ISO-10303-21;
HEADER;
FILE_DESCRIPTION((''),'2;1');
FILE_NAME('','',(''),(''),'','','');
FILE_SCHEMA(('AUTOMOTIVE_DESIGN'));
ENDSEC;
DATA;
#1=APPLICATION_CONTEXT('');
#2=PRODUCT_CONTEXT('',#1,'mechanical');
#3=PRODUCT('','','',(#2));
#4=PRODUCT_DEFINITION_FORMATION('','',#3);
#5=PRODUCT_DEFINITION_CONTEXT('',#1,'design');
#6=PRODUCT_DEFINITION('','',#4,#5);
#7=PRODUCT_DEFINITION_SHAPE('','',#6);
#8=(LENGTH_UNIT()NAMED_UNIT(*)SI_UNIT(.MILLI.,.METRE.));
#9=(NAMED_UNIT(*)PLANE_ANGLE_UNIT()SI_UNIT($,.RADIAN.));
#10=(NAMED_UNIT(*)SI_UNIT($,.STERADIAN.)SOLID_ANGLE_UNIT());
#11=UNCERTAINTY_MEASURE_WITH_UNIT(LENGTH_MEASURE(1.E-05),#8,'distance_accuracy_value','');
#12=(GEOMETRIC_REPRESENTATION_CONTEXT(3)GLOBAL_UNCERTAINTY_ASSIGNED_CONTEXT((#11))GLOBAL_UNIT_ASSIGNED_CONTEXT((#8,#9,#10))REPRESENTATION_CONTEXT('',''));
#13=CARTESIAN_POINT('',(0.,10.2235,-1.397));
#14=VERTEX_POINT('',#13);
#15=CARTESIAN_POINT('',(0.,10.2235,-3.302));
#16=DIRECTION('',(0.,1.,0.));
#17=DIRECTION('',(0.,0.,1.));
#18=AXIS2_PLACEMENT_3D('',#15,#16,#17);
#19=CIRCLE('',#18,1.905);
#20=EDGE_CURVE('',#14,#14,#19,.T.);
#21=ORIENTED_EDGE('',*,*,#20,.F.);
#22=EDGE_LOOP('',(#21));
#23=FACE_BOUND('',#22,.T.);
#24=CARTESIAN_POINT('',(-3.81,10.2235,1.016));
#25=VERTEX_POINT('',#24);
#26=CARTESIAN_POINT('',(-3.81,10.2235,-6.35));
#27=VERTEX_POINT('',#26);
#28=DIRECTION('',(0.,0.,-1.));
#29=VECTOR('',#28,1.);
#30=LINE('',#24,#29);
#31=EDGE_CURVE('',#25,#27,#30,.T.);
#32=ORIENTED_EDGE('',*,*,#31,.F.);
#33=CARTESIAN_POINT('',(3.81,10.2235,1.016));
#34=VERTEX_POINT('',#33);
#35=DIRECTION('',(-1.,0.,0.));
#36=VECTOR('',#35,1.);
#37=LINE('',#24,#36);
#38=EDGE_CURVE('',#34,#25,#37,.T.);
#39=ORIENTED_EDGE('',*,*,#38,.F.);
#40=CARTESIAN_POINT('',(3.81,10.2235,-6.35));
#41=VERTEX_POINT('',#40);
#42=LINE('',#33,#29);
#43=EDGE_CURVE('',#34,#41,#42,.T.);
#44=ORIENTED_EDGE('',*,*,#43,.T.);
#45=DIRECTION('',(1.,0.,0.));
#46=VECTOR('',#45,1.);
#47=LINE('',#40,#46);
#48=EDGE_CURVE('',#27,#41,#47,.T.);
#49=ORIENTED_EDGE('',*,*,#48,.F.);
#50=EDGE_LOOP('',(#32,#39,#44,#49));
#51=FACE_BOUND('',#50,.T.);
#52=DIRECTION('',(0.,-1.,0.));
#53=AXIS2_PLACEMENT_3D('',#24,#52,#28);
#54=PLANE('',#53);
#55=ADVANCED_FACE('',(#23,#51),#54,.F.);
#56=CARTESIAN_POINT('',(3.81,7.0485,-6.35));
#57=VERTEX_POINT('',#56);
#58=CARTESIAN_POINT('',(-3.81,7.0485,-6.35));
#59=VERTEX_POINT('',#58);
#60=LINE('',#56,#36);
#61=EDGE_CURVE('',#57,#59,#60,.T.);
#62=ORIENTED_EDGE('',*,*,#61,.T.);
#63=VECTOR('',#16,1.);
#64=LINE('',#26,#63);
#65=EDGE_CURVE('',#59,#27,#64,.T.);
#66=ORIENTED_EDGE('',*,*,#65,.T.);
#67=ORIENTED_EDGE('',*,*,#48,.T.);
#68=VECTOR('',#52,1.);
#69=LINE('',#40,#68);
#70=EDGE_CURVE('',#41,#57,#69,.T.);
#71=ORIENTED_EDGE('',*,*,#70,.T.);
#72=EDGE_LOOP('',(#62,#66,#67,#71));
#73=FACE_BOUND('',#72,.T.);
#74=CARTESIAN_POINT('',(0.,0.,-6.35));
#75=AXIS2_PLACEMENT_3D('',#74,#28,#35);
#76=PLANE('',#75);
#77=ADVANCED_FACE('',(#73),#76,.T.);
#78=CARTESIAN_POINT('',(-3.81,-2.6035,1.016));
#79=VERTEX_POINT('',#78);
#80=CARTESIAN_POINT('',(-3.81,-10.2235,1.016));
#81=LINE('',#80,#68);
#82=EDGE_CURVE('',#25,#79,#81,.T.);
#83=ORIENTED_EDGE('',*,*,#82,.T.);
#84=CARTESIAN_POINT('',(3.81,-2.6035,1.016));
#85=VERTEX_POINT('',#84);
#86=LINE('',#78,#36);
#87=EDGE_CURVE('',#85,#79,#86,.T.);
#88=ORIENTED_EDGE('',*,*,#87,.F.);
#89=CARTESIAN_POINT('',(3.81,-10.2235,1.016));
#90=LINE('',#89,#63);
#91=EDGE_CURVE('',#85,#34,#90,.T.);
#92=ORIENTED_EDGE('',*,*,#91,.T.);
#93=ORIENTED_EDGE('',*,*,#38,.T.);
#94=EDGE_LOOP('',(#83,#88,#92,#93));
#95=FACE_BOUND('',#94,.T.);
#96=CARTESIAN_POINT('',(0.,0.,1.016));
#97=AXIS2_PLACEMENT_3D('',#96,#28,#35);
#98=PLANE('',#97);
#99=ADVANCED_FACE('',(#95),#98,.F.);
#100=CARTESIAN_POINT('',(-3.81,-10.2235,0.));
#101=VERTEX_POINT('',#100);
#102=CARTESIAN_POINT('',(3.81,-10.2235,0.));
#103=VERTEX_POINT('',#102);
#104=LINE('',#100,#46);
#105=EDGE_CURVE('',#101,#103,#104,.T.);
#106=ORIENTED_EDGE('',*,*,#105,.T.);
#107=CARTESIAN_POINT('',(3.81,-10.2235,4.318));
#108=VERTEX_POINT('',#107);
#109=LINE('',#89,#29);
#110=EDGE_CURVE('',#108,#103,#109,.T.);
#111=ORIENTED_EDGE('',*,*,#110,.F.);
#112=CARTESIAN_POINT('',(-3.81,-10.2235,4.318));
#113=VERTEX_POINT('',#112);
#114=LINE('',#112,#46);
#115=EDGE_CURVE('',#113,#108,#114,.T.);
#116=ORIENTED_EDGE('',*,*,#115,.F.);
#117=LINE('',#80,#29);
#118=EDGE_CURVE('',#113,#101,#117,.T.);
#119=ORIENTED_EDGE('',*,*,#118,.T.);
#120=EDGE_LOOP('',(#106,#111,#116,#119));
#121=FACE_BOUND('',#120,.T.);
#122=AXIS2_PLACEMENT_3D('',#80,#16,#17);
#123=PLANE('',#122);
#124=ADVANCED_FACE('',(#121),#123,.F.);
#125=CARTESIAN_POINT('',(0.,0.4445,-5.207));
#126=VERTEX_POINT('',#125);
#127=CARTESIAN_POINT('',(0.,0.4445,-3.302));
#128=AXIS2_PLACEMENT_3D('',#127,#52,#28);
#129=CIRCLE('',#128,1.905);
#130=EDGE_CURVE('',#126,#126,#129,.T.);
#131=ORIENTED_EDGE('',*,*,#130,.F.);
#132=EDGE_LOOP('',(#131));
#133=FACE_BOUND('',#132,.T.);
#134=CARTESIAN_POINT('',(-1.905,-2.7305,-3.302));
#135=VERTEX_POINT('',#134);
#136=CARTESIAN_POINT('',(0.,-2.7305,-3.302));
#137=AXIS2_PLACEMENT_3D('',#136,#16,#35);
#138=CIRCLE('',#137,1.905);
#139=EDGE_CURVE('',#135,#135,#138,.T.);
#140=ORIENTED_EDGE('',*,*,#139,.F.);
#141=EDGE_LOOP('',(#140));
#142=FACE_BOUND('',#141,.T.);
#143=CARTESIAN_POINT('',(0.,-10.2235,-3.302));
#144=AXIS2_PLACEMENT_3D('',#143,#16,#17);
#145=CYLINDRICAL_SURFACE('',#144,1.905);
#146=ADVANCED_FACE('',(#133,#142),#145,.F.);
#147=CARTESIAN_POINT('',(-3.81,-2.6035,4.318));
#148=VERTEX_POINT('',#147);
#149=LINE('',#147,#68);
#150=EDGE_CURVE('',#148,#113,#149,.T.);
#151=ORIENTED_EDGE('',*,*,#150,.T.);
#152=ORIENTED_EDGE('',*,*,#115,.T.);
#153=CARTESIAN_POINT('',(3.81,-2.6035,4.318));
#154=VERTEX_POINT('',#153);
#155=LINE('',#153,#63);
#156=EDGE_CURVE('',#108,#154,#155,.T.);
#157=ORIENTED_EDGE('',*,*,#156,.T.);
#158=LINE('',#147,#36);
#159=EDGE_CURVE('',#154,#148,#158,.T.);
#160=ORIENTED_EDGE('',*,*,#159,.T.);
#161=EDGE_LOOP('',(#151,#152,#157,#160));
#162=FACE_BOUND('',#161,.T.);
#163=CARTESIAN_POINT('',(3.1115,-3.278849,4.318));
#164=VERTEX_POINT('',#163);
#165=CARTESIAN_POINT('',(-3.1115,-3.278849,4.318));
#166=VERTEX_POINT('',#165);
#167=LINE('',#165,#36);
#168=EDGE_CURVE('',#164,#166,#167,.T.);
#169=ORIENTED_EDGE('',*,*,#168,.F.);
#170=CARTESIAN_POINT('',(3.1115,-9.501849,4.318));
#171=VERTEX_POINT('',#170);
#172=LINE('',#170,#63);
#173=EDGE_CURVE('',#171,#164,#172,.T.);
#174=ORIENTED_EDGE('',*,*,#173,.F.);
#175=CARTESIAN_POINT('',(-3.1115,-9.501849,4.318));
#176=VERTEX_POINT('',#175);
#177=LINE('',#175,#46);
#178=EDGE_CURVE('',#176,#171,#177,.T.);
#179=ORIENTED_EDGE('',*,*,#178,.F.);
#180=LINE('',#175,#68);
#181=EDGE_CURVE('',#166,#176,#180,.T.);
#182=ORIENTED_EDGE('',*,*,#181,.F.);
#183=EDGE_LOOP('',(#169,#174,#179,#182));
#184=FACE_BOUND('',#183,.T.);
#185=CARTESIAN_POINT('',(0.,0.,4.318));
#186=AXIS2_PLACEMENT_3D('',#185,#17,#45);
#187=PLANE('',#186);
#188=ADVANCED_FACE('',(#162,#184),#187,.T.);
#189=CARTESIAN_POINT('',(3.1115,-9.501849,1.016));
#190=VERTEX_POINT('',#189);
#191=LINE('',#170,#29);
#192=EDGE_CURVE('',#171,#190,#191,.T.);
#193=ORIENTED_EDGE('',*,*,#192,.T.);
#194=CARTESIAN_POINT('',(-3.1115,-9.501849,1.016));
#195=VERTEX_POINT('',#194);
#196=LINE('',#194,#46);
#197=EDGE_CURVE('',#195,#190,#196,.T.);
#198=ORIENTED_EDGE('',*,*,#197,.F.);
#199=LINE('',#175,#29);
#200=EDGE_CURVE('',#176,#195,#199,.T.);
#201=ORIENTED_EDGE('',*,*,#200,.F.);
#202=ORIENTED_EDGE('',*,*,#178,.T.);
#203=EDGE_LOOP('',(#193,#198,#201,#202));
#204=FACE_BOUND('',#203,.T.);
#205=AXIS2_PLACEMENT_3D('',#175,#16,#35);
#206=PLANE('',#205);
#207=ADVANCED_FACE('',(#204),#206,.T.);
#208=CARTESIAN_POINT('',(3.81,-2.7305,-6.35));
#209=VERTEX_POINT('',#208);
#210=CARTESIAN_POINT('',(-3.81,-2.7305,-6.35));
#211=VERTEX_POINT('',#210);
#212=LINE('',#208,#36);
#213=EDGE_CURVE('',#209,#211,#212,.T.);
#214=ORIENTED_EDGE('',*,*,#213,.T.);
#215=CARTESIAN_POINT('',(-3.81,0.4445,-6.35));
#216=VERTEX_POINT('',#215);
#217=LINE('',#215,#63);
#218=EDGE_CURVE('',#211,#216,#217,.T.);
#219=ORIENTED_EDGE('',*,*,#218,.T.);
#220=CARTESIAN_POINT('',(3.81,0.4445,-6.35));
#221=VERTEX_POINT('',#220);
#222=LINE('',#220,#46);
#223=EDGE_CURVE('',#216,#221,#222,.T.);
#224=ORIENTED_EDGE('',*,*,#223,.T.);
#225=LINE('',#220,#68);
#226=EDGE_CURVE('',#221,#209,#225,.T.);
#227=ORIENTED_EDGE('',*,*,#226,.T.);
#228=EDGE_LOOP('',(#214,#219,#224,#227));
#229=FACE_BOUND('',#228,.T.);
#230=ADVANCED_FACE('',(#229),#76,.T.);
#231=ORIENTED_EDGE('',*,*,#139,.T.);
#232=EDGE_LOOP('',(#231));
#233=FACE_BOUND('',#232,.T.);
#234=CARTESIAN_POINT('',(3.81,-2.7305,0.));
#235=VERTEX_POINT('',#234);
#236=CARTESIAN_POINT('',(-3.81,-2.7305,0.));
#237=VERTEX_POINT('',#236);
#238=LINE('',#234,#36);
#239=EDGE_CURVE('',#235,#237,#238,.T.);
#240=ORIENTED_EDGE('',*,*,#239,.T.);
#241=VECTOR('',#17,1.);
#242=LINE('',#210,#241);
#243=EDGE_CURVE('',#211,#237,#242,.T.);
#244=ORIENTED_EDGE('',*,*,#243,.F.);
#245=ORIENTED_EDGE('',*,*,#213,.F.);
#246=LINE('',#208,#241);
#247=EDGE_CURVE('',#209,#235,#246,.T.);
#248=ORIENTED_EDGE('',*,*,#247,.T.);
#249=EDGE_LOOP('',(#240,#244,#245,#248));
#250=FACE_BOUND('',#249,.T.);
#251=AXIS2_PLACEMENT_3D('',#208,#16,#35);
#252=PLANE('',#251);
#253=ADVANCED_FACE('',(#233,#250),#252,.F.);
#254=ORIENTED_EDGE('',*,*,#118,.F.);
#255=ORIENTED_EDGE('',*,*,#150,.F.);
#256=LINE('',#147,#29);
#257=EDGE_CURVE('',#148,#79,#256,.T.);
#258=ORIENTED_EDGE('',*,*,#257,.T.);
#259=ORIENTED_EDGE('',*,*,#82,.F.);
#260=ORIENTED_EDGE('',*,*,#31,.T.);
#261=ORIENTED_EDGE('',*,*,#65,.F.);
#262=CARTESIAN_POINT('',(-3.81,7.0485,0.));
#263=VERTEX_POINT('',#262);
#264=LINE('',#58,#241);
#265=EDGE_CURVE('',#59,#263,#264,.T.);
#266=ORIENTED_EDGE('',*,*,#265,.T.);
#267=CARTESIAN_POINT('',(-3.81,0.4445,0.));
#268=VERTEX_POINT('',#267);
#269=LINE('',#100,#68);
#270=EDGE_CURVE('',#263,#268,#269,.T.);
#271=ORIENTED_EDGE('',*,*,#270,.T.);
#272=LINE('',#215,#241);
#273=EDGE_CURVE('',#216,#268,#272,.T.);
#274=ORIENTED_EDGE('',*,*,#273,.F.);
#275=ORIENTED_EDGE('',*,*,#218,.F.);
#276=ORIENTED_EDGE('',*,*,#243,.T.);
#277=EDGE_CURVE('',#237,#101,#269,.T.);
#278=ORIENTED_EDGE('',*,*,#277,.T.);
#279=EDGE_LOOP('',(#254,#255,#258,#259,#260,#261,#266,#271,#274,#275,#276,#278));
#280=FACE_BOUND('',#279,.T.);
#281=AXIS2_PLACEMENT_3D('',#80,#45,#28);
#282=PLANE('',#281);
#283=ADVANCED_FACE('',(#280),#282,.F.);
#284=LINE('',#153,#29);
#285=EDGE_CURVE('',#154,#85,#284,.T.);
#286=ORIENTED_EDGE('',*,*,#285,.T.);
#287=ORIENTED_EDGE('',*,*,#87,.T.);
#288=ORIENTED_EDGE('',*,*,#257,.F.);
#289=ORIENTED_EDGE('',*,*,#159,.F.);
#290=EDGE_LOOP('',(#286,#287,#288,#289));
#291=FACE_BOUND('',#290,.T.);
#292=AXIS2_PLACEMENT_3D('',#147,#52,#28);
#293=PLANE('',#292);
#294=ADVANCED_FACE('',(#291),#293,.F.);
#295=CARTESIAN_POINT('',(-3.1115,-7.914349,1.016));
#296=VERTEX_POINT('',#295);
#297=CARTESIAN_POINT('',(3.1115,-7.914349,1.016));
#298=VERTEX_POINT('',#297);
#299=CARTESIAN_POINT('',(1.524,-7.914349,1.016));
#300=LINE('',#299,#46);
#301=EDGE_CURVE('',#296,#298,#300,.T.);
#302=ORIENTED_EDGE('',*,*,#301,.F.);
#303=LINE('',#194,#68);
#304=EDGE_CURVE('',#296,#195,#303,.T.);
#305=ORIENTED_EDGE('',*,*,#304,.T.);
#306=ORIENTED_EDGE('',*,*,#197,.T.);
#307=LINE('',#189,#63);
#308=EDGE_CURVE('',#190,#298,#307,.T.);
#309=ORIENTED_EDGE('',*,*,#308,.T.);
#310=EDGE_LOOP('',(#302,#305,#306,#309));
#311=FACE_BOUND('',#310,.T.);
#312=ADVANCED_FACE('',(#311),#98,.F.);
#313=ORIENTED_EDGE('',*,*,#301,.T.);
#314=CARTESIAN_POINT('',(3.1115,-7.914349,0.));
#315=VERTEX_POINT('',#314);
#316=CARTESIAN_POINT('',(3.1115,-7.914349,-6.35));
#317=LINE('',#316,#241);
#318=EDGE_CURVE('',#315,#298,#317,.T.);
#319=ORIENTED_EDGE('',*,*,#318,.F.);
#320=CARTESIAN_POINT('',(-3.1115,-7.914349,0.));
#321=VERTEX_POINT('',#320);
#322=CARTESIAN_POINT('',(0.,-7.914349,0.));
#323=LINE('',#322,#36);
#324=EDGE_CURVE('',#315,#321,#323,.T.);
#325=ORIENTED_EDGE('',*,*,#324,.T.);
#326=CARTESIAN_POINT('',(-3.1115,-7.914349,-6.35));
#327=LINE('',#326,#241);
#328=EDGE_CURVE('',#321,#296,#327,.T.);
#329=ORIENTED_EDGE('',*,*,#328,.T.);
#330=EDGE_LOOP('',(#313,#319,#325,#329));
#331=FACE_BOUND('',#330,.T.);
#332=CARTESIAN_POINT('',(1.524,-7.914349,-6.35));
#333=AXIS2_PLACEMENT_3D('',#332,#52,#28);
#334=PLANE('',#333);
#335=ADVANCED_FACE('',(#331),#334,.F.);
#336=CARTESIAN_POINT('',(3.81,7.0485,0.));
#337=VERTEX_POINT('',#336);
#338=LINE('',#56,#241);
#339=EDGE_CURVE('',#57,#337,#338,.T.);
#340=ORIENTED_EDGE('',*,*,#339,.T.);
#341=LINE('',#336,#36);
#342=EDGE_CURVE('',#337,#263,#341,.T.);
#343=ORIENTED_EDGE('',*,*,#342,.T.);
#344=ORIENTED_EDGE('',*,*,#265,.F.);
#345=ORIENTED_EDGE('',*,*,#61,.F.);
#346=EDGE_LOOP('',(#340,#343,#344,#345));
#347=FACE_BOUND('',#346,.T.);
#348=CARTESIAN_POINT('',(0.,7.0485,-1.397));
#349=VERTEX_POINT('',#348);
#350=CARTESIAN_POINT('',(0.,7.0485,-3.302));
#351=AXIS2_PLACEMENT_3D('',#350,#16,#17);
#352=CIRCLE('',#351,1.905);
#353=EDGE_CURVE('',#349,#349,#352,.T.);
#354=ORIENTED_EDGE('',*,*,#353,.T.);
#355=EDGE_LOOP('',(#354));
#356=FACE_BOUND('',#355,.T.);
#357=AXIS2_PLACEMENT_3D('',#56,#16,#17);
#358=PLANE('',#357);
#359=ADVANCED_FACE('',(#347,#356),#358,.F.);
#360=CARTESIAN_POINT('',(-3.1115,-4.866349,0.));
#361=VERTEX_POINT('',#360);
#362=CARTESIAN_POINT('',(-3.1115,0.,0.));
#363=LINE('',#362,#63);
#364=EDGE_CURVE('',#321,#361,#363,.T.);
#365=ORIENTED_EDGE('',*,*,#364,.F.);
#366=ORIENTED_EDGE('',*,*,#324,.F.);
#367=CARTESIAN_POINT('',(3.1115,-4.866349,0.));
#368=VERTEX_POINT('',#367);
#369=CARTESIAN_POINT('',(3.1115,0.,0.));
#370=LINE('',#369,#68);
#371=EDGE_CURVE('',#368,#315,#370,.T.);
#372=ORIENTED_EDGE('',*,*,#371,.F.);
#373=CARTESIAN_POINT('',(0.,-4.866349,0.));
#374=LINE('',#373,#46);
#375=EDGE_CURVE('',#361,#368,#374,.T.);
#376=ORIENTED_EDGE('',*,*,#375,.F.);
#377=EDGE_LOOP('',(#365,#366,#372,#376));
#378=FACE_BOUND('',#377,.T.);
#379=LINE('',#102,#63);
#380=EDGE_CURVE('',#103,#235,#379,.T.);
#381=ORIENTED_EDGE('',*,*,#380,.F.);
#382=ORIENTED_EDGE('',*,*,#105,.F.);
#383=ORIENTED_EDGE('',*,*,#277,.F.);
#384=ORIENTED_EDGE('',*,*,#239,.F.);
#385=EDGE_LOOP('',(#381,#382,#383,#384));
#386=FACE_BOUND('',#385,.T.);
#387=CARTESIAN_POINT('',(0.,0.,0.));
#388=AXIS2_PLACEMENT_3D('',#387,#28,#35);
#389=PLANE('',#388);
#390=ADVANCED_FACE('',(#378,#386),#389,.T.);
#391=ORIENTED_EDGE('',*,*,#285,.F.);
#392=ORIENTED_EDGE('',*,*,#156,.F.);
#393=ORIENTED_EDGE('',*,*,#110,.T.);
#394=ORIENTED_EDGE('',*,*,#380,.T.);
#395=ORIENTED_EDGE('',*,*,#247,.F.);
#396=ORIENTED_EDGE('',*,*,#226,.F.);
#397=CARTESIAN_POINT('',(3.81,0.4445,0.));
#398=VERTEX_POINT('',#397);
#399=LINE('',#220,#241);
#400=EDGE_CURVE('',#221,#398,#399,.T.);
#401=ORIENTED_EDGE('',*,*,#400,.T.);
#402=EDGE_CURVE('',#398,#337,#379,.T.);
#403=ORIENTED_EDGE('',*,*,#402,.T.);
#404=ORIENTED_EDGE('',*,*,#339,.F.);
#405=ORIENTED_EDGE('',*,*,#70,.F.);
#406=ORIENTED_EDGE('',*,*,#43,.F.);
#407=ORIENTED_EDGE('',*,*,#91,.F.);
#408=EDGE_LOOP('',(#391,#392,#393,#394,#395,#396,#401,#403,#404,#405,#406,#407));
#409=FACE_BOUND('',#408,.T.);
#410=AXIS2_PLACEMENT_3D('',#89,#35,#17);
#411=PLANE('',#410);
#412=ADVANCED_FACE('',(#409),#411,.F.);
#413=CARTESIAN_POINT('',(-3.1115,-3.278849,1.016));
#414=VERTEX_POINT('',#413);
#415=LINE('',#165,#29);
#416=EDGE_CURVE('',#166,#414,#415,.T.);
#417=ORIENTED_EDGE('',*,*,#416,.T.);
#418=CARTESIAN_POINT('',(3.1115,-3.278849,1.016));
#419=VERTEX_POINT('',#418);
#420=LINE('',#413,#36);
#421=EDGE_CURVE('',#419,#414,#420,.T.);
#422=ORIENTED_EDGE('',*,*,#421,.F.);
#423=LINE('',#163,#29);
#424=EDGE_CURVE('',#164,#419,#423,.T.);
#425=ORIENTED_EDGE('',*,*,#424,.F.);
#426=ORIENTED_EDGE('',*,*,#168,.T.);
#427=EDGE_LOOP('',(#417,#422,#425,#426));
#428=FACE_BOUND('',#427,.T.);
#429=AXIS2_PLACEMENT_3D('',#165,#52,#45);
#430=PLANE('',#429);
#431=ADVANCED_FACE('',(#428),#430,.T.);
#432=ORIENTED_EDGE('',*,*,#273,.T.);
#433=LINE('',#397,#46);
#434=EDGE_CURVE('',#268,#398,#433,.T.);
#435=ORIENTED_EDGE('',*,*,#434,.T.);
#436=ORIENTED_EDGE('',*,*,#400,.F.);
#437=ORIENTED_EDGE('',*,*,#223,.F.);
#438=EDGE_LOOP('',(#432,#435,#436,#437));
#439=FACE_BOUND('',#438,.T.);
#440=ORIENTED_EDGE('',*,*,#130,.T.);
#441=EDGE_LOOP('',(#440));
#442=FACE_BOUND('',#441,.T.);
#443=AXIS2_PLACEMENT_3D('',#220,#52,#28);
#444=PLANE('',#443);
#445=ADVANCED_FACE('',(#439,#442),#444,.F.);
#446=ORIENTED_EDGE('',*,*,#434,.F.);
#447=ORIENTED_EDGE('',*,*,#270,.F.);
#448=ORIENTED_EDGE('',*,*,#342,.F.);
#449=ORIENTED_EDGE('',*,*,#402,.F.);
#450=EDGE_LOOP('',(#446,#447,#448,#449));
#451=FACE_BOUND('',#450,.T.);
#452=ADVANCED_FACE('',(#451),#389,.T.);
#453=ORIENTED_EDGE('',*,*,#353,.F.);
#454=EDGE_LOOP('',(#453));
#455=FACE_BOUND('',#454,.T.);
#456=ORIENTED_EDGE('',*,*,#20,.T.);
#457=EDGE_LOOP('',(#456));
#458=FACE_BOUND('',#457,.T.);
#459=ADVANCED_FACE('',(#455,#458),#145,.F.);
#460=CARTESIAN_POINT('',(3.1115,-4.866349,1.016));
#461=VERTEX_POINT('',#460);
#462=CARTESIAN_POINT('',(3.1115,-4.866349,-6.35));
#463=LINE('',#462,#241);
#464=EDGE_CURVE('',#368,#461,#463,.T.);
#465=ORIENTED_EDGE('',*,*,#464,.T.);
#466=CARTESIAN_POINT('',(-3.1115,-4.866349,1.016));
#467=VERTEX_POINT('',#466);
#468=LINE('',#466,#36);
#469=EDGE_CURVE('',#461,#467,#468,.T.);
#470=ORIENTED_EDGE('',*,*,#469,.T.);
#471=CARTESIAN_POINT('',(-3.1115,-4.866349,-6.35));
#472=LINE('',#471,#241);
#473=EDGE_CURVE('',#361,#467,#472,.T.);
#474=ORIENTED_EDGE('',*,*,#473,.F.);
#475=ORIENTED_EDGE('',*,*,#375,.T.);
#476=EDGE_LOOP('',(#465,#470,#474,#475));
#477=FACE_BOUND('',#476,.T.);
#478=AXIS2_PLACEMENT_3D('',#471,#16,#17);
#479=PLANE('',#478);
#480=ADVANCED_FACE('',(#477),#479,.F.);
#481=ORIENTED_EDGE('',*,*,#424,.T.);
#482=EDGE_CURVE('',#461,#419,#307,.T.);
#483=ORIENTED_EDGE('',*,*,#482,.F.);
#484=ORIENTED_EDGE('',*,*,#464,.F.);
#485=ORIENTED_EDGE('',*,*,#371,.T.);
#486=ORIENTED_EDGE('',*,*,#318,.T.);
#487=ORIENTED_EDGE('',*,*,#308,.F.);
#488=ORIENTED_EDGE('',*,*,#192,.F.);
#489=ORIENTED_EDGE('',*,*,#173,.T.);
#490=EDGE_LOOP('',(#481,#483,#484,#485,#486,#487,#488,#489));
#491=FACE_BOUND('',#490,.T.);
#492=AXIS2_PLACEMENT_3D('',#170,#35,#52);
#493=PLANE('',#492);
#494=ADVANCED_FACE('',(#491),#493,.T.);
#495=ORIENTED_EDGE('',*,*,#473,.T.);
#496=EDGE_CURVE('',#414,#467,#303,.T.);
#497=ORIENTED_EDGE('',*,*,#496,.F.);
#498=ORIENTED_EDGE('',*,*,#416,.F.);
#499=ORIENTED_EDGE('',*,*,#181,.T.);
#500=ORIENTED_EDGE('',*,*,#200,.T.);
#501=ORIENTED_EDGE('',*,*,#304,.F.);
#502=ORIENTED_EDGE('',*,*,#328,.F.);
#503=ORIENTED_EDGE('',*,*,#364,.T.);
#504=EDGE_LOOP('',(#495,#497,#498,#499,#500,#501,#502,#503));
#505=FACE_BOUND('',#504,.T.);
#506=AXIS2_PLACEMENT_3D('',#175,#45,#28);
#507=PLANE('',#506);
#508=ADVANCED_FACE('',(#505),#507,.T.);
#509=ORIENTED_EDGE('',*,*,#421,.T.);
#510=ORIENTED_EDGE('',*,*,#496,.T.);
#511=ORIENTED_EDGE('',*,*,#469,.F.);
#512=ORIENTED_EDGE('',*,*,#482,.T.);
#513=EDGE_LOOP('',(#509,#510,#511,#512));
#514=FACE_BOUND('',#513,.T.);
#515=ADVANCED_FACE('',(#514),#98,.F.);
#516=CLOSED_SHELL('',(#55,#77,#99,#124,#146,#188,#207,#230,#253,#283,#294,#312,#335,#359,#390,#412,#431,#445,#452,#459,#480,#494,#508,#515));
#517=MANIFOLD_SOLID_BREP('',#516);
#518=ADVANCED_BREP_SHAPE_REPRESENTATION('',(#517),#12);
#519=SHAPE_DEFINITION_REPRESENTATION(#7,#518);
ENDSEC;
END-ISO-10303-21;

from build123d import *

# Parameters (mm, degrees)
SKETCH1_W           = 7.62
SKETCH1_H           = 20.447
BOSS_EXTRUDE1_DEPTH = 1.016
SKETCH2_W           = 7.62
SKETCH2_H           = 3.175
BOSS_EXTRUDE2_DEPTH = 6.35
SKETCH3_R           = 1.905
CUT_EXTRUDE1_DEPTH  = 22.746687311
SKETCH5_W           = 7.62
SKETCH5_H           = 7.62
SKETCH5_W_2         = 6.223
SKETCH5_H_2         = 6.223
BOSS_EXTRUDE3_DEPTH = 3.302
CUT_EXTRUDE3_DEPTH  = 14.16411821


with BuildPart() as part:
    # Sketch1 → Boss-Extrude1 (new body)
    with BuildSketch(Plane.XY):
        Rectangle(SKETCH1_W, SKETCH1_H)
    extrude(amount=BOSS_EXTRUDE1_DEPTH)

    # Sketch2 → Boss-Extrude2 (add)
    with BuildSketch(Plane(origin=(0, 0, 0), x_dir=(-1, 0, 0), z_dir=(0, 0, -1))):
        with Locations((0, 8.636)):
            Rectangle(SKETCH2_W, SKETCH2_H)
        with Locations((0, -1.143)):
            Rectangle(SKETCH2_W, SKETCH2_H)
    extrude(amount=BOSS_EXTRUDE2_DEPTH)

    # Sketch3 → Cut-Extrude1 (cut, through all)
    with BuildSketch(Plane(origin=(0, 10.2235, 0), x_dir=(1, 0, 0), z_dir=(0, 1, 0))):
        with Locations(Location((0, 3.302, 0), (0, 0, 180))):
            Circle(SKETCH3_R)
    extrude(amount=-CUT_EXTRUDE1_DEPTH, mode=Mode.SUBTRACT)

    # Sketch5 → Boss-Extrude3 (add)
    with BuildSketch(Plane.XY.offset(1.016)):
        with Locations((0, -6.4135)):
            Rectangle(SKETCH5_W, SKETCH5_H)
        with Locations((0, -6.39034895)):
            Rectangle(SKETCH5_W_2, SKETCH5_H_2, mode=Mode.SUBTRACT)
    extrude(amount=BOSS_EXTRUDE3_DEPTH)

    # Sketch7 → Cut-Extrude3 (cut, through all)
    with BuildSketch(Plane.XY.offset(1.016)):
        Polygon((-3.1115, -7.91434895), (-1.524, -7.91434895), (1.524, -7.91434895), (3.1115, -7.91434895), (3.1115, -4.86634895), (1.524, -4.86634895), (-1.524, -4.86634895), (-3.1115, -4.86634895), align=None)
    extrude(amount=-CUT_EXTRUDE3_DEPTH, mode=Mode.SUBTRACT)


solid = part.part
